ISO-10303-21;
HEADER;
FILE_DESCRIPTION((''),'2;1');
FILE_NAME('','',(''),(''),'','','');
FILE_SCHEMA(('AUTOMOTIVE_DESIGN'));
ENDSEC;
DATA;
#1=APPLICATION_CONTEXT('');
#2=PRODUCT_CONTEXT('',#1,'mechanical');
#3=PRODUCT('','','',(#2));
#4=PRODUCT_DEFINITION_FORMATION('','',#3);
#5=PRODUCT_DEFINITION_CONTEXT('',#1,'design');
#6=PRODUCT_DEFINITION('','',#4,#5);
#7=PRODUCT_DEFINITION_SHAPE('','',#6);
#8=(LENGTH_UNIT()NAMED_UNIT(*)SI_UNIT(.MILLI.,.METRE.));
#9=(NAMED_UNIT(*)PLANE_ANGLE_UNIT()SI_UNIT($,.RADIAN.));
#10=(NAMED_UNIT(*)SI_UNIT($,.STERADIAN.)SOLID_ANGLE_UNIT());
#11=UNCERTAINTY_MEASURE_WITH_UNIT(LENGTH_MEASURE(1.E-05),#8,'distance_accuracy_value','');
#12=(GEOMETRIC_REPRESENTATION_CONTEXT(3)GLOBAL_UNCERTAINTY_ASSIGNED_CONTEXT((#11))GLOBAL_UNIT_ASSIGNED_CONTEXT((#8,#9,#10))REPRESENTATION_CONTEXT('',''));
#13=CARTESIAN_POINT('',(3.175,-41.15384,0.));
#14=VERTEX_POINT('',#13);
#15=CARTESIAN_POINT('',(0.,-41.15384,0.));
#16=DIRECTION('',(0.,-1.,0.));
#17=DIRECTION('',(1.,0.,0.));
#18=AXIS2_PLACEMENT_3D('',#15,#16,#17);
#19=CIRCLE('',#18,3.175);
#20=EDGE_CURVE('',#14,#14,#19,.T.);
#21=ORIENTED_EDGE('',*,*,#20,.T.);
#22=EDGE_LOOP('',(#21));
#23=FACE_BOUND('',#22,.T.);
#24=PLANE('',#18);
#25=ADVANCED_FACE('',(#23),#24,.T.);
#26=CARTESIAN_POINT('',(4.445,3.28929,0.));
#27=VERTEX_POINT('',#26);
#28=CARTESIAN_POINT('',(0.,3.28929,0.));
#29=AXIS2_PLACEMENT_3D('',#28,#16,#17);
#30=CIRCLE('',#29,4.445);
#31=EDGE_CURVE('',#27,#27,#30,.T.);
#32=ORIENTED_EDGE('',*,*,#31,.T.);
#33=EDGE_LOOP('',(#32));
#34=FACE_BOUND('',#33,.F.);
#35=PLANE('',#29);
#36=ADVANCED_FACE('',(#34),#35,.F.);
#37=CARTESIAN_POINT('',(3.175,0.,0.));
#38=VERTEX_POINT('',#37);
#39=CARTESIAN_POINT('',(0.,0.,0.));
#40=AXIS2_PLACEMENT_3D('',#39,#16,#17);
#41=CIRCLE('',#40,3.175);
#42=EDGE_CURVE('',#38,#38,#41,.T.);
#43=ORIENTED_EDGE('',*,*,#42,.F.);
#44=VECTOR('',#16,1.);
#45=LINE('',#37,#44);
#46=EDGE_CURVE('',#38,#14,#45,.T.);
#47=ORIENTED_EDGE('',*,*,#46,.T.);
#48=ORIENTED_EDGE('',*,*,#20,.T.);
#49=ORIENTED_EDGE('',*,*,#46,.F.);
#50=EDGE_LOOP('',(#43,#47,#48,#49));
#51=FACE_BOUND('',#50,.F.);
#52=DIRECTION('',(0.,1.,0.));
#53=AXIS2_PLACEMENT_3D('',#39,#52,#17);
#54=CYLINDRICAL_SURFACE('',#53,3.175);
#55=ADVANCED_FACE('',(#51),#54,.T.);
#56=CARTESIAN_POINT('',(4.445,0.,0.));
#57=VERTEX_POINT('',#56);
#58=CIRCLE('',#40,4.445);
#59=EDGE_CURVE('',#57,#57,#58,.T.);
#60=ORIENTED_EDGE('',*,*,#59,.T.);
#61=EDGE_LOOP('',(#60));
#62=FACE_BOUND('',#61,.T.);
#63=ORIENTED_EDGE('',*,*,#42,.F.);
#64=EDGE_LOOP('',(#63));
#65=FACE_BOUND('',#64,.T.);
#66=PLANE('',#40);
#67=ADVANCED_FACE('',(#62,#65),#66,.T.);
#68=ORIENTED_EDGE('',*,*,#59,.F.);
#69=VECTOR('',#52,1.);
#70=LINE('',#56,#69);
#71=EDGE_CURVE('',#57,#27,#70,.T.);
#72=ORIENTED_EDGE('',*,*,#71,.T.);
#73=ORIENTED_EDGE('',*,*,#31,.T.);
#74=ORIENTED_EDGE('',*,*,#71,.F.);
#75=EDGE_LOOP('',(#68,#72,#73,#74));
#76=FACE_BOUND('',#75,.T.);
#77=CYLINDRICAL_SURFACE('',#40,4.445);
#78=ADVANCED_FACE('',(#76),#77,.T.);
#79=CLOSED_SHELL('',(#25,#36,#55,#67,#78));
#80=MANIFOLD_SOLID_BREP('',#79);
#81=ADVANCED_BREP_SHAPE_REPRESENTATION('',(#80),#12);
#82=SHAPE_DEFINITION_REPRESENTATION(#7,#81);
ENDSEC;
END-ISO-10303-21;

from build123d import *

# Parameters (mm, degrees)
F0_R     = 3.175
F1_DEPTH = 41.15384
F2_R     = 4.445
F3_DEPTH = 3.28929


with BuildPart() as f1:
    # F0 (on Front) → F1 (new body)
    with BuildSketch(Plane.XZ):
        Circle(F0_R)
    extrude(amount=F1_DEPTH)

    # F2 (on Front) → F3 (join)
    with BuildSketch(Plane.XZ):
        Circle(F2_R)
    extrude(amount=-F3_DEPTH)


solid = f1.part
